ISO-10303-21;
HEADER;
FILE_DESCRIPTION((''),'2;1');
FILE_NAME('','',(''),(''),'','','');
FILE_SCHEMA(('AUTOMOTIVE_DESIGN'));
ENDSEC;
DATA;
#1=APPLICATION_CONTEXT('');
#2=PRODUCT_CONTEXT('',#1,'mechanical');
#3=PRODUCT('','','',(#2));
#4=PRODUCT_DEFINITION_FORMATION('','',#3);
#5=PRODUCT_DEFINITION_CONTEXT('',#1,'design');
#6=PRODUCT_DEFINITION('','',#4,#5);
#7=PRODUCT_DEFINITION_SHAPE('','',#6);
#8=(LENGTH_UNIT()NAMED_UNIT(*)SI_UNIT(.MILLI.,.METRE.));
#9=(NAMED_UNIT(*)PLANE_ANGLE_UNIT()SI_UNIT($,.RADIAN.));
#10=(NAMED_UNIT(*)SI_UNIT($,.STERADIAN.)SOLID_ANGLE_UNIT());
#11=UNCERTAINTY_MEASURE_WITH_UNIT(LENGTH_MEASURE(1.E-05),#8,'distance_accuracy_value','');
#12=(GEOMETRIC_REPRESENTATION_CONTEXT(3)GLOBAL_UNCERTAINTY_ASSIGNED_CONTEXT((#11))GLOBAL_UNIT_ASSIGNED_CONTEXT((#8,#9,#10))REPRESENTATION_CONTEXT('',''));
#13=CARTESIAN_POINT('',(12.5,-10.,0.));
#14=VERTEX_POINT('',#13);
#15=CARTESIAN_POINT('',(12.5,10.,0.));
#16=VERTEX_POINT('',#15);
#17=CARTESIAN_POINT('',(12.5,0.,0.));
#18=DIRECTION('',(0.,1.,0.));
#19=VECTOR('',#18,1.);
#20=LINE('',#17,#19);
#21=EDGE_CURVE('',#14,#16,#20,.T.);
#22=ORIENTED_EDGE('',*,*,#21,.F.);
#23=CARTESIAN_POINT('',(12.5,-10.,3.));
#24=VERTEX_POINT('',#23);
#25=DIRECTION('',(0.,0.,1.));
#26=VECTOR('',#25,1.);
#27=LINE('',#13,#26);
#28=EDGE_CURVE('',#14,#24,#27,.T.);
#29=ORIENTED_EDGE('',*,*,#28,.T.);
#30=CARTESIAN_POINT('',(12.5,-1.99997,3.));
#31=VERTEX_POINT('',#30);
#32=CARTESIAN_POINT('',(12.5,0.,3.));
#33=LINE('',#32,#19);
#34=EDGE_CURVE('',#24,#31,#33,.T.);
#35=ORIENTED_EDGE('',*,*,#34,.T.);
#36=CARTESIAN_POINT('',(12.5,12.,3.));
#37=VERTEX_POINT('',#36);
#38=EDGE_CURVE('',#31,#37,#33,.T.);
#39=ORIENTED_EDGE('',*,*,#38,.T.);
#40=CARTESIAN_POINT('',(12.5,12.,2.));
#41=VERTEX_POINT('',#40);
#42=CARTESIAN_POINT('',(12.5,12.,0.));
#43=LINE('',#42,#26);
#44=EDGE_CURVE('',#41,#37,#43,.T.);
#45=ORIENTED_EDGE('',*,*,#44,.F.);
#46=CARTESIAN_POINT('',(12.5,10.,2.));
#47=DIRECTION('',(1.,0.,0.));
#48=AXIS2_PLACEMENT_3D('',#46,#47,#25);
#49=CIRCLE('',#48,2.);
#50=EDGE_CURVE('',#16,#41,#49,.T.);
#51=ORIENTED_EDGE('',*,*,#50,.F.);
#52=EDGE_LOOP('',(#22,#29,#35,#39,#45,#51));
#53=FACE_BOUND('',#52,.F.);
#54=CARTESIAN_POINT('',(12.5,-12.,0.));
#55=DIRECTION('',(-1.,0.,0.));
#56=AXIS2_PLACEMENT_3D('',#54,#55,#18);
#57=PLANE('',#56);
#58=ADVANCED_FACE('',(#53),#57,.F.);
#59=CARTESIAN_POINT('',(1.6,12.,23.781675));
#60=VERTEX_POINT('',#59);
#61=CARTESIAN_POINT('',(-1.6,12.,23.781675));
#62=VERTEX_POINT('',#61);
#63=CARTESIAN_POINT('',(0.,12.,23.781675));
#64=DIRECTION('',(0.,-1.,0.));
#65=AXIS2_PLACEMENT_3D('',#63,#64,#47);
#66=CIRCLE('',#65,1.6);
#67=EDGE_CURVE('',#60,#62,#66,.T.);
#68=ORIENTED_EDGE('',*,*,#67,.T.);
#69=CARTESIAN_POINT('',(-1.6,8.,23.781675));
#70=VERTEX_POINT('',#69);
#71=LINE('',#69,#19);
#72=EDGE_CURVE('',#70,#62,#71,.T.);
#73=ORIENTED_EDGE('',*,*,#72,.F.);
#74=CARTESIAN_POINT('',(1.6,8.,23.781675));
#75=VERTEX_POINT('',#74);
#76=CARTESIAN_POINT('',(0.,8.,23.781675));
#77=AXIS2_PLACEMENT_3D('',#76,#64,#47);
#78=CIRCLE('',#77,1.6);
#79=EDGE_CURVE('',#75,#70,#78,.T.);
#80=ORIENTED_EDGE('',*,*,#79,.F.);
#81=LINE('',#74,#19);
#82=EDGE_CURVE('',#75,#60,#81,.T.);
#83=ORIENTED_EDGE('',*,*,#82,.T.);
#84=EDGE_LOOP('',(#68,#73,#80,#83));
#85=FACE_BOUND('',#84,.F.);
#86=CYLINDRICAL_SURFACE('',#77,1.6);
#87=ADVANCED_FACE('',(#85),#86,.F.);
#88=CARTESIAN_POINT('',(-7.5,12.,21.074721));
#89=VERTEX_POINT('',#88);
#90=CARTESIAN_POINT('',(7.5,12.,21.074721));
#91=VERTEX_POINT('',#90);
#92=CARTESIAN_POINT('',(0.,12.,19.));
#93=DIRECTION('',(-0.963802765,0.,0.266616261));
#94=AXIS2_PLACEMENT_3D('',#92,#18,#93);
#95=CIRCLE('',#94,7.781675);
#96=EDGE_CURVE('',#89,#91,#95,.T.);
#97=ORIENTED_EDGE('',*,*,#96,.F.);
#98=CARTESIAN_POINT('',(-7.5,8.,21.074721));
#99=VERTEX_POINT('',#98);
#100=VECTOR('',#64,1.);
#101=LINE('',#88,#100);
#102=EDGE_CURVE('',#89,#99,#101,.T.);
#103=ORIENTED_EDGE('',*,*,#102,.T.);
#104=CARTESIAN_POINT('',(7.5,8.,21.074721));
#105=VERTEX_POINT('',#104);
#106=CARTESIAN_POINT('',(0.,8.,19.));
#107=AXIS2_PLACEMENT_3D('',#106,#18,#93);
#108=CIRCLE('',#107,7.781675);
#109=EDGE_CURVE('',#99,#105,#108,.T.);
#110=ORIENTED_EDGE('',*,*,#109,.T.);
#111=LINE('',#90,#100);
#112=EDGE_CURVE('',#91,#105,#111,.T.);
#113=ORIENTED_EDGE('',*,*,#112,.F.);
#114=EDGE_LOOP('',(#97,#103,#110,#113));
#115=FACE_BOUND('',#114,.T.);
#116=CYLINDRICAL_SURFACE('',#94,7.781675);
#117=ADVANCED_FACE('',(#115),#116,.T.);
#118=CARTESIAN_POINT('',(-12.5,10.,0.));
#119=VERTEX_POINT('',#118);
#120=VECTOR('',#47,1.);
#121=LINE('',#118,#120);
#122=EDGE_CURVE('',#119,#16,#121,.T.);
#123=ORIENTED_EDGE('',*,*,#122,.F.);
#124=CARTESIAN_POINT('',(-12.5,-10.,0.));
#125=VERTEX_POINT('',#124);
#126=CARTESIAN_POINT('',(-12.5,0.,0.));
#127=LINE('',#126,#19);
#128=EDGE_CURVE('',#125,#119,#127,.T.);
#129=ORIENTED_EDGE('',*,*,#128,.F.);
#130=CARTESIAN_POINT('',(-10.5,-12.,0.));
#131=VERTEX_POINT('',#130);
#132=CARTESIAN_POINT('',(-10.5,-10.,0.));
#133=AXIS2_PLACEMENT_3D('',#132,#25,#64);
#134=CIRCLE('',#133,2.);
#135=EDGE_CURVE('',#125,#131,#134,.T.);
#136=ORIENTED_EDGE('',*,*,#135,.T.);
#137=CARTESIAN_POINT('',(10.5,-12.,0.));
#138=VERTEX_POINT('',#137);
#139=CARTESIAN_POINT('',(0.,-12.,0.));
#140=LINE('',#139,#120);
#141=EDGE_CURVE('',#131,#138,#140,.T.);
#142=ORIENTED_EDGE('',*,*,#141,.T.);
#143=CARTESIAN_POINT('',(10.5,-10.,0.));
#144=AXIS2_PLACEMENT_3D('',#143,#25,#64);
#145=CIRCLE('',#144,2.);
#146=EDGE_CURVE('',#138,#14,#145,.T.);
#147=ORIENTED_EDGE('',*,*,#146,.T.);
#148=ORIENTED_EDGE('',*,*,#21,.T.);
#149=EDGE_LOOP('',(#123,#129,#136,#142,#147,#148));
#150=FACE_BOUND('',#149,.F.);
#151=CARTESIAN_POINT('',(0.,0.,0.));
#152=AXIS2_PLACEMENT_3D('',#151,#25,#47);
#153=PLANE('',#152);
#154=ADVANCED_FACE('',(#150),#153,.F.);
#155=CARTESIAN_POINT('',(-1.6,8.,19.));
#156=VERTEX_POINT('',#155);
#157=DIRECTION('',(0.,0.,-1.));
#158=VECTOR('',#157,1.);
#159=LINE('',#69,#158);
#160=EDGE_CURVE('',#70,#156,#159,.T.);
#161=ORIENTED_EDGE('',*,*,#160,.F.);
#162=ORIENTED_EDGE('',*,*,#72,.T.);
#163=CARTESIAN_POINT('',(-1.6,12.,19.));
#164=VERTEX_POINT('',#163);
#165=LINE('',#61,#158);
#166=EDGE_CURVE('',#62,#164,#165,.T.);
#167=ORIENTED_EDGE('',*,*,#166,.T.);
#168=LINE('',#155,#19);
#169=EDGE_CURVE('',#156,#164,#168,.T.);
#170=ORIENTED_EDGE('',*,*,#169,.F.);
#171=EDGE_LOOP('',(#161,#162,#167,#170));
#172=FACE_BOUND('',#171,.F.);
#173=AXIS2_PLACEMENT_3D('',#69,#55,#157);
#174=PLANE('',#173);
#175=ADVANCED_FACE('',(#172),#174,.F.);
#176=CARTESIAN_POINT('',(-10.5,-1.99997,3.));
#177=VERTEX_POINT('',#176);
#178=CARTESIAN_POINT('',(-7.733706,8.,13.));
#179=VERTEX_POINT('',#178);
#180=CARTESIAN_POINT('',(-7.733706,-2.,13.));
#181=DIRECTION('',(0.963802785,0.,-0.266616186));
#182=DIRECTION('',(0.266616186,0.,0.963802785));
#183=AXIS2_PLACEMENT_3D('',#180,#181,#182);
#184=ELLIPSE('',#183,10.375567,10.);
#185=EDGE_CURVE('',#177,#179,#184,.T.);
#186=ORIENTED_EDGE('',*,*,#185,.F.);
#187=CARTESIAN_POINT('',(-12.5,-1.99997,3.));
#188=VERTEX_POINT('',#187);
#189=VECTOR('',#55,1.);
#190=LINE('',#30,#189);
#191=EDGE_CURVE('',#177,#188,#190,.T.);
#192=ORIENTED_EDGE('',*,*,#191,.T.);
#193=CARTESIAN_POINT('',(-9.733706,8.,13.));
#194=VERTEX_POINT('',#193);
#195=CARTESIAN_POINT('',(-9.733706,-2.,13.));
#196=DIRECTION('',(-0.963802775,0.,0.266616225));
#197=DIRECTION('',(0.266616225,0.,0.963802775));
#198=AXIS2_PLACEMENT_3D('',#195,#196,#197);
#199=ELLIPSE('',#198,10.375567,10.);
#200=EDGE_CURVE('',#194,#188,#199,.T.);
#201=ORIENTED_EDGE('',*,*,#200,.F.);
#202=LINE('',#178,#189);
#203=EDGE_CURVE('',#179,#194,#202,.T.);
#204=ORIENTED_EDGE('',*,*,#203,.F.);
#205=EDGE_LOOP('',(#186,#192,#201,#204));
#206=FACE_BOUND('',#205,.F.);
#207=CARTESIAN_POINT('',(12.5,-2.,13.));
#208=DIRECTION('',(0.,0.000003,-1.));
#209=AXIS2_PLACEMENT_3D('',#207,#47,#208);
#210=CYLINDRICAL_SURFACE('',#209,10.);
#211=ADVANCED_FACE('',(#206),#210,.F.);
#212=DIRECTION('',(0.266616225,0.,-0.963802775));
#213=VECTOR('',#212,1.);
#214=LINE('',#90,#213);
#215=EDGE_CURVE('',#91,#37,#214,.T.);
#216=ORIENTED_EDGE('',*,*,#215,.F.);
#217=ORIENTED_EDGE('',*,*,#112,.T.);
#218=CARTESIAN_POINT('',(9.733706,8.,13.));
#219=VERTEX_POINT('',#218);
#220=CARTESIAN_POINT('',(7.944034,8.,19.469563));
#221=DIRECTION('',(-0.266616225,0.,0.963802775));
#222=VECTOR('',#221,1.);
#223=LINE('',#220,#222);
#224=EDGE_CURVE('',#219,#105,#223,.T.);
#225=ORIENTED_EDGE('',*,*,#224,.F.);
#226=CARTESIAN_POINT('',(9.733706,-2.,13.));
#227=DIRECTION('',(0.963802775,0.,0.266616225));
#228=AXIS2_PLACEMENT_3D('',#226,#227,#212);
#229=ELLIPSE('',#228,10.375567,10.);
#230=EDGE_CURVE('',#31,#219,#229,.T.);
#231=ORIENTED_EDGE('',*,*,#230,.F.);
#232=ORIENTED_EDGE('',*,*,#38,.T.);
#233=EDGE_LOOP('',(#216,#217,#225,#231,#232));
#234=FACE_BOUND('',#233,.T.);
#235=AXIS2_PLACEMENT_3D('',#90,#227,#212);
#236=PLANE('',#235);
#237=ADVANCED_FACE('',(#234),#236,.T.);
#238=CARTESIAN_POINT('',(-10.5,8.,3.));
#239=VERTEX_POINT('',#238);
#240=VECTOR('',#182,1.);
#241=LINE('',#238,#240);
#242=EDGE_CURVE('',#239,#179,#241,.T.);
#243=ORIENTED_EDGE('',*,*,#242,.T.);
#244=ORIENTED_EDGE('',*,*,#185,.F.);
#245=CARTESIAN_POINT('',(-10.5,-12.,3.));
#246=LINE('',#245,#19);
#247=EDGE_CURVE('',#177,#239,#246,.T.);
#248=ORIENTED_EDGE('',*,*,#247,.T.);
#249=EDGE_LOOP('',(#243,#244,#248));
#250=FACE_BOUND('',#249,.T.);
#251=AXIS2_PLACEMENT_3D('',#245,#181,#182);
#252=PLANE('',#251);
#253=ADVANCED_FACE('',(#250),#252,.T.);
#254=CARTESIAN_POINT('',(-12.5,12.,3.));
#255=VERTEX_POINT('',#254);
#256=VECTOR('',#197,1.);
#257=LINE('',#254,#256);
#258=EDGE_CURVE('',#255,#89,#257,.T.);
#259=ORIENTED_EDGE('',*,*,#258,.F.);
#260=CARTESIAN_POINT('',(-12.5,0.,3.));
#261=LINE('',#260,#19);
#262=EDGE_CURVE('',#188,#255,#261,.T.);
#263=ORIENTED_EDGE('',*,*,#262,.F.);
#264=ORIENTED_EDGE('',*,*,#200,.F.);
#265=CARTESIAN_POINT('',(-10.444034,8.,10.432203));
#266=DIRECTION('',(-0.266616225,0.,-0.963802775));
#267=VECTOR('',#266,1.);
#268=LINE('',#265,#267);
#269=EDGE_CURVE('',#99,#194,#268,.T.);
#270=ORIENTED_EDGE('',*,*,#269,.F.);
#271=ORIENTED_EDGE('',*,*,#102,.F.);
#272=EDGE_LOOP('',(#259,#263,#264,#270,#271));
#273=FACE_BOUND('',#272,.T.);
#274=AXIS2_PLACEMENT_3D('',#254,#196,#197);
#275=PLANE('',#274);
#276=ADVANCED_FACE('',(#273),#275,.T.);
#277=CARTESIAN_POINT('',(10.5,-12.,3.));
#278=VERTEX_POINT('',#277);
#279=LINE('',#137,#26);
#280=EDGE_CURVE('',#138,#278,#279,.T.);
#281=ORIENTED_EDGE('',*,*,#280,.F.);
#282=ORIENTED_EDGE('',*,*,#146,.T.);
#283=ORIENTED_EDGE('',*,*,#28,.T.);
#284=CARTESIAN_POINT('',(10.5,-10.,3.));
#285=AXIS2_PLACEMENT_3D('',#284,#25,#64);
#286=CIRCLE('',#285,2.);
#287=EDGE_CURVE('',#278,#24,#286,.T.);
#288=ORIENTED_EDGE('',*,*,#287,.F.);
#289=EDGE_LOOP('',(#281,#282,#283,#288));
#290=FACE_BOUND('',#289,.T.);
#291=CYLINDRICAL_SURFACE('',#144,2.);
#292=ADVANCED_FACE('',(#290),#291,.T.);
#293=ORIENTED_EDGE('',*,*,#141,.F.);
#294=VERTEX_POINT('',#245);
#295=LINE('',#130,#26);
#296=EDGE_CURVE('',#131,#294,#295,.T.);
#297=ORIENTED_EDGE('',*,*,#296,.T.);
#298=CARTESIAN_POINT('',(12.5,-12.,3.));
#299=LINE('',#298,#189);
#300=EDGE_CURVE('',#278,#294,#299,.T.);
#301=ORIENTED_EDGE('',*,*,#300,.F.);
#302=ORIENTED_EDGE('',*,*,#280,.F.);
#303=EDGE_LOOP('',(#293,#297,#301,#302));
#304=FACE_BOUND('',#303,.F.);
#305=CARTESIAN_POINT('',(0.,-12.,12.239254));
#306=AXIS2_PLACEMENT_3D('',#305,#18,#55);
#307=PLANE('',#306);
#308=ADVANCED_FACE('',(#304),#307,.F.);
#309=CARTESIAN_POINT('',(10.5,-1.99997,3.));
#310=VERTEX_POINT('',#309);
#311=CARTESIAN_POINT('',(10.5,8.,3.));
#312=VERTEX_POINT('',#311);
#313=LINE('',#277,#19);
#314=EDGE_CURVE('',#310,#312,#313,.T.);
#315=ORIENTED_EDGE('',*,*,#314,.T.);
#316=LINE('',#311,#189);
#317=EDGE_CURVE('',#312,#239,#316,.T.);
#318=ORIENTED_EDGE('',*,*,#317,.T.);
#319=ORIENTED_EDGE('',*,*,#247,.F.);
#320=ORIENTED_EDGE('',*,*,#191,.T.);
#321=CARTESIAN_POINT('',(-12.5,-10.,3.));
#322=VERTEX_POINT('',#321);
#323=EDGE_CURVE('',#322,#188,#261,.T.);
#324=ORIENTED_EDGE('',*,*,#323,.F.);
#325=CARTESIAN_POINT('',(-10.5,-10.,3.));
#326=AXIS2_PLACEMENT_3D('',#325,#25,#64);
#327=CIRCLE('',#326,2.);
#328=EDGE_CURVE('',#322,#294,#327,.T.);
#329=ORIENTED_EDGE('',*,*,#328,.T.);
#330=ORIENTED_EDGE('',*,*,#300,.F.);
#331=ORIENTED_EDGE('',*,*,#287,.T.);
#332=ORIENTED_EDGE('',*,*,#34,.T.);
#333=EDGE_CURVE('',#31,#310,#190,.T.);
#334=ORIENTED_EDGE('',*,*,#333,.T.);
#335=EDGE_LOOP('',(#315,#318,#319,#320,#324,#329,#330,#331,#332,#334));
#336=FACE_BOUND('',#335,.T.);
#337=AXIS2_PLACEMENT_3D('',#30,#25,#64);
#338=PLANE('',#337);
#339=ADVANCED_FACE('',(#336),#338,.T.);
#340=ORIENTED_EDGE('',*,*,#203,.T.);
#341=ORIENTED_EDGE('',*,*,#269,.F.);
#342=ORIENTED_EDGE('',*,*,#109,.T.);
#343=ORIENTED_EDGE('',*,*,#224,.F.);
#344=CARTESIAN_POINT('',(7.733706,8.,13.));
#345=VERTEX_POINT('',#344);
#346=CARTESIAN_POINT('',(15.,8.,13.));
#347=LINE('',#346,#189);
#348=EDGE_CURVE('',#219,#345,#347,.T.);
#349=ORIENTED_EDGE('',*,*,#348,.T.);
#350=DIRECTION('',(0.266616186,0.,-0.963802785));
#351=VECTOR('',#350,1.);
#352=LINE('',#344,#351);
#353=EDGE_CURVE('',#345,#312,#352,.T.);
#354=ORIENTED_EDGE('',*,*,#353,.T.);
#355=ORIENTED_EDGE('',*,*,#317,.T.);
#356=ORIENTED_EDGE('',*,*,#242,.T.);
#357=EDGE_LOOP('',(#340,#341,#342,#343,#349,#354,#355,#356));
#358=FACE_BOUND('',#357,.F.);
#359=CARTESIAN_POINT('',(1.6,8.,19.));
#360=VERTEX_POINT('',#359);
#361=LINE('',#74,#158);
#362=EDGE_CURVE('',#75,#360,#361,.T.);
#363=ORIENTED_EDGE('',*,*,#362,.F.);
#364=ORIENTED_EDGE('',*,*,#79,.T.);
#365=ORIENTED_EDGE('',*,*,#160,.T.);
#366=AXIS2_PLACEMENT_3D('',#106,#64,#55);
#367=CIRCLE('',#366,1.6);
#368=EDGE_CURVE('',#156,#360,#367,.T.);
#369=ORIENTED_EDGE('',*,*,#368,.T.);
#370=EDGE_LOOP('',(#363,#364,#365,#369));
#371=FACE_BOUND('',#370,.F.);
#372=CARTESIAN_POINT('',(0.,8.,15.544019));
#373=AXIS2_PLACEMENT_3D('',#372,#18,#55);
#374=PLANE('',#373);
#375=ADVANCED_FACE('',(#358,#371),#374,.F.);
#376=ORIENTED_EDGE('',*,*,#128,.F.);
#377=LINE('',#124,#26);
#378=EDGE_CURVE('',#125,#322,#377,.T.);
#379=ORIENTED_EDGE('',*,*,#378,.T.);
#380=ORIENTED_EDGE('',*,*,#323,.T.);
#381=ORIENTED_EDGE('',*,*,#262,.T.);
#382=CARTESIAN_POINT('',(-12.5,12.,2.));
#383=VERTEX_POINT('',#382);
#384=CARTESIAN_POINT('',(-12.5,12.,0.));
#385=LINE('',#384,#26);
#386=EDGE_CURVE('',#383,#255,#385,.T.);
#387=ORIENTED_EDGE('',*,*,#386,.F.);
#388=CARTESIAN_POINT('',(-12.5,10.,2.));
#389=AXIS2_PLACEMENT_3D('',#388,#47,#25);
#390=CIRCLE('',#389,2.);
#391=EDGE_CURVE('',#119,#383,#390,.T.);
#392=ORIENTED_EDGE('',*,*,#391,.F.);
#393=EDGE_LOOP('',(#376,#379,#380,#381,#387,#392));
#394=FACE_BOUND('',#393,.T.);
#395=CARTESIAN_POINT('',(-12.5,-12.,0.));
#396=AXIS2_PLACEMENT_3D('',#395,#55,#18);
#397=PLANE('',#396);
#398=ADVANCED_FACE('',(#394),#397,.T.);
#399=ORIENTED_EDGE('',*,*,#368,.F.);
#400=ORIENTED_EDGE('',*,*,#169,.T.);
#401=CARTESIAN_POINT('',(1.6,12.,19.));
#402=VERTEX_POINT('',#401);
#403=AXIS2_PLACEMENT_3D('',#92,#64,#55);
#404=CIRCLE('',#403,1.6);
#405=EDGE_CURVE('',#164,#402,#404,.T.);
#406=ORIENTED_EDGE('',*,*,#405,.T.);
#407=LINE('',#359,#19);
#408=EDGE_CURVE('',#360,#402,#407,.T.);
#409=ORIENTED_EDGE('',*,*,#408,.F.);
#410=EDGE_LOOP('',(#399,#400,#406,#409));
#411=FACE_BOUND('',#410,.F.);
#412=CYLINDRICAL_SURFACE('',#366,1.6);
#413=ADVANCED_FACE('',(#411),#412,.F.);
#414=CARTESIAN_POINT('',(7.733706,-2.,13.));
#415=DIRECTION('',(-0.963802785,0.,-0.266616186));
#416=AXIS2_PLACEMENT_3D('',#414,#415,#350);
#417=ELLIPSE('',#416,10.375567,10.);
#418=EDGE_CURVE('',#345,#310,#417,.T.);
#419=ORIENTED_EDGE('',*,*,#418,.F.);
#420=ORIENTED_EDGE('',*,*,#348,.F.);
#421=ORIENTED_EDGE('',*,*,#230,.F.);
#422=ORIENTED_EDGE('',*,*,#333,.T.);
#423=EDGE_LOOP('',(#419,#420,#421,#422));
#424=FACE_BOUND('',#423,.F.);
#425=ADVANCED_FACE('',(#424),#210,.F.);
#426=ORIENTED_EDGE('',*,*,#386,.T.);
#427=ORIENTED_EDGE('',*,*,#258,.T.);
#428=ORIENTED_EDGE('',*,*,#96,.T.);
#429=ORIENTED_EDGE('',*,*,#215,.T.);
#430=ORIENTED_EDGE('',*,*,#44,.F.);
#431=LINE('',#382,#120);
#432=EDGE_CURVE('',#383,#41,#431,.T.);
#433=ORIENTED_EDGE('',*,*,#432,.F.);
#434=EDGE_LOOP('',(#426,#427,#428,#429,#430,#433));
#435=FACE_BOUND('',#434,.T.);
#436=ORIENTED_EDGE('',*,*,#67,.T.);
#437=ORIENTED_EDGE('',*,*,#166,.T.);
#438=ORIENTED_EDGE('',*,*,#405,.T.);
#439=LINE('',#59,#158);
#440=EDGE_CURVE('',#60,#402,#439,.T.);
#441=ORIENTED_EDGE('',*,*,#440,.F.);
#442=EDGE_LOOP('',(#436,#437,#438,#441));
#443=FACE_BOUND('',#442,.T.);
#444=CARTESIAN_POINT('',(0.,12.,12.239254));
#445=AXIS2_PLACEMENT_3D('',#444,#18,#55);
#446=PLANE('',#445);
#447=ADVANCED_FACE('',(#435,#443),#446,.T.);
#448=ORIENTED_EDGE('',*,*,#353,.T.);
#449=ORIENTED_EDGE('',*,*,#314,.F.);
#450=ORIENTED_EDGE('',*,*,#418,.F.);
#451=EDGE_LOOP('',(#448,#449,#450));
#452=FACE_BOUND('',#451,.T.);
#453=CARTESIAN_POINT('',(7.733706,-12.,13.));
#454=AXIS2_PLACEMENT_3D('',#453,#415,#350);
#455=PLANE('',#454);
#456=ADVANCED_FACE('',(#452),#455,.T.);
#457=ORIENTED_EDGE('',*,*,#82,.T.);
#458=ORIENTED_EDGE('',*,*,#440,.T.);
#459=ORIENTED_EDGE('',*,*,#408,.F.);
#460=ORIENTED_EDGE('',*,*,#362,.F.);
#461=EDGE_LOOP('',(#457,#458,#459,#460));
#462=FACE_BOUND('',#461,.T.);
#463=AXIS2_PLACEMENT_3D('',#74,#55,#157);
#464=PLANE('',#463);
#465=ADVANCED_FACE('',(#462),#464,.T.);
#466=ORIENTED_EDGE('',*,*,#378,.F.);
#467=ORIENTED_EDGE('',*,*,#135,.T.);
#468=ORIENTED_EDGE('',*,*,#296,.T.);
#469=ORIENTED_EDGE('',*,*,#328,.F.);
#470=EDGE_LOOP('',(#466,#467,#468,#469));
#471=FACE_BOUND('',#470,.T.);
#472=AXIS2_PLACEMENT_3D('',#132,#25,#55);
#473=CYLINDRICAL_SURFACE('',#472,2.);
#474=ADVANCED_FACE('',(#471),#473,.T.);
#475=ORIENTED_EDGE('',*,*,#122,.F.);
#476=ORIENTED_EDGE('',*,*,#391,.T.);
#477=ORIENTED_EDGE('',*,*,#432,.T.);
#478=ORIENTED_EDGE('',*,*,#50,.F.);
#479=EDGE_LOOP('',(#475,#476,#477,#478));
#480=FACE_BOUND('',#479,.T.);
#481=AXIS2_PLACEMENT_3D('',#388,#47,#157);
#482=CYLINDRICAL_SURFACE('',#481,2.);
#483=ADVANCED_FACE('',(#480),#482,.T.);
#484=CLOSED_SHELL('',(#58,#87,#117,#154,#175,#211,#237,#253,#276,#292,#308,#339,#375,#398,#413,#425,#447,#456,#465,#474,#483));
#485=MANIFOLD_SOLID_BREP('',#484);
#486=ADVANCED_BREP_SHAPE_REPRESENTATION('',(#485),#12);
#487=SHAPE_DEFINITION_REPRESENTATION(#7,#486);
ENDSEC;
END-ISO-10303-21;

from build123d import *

# Parameters (mm, degrees)
SKETCH_W        = 25
SKETCH_H        = 24
PAD_DEPTH       = 3
PAD001_DEPTH    = 24
POCKET_DEPTH    = 20
POCKET001_DEPTH = 27
POCKET002_DEPTH = 4
FILLET_R        = 2
FILLET001_R     = 2


with BuildPart() as part:
    # Sketch → Pad (new body)
    with BuildSketch(Plane.XY):
        Rectangle(SKETCH_W, SKETCH_H)
    extrude(amount=PAD_DEPTH)

    # Sketch001 → Pad001 (new body)
    with BuildSketch(Plane(origin=(0, 12, 0), x_dir=(-1, 0, 0), z_dir=(0, 1, 0))):
        with BuildLine():
            Line((12.5, 3), (7.5, 21.074721))
            ThreePointArc((7.5, 21.074721), (0, 26.781675), (-7.5, 21.074721))
            Line((-7.5, 21.074721), (-12.5, 3))
            Line((12.5, 3), (-12.5, 3))
        make_face()
    extrude(amount=-PAD001_DEPTH)

    # Sketch002 → Pocket (cut)
    with BuildSketch(Plane.XZ.offset(12)):
        Polygon((10.5, 3), (-10.5, 3), (-7.733706, 13), (-15, 13), (-15, 26.781675), (15, 26.781675), (15, 13), (7.733706, 13), align=None)
    extrude(amount=-POCKET_DEPTH, mode=Mode.SUBTRACT)

    # Sketch003 → Pocket001 (cut)
    with BuildSketch(Plane.YZ.offset(12.5)):
        with BuildLine():
            ThreePointArc((-1.99997, 3), (8, 13), (-1.99997, 23))
            Line((-12, 23), (-1.99997, 23))
            Line((-12, 3), (-12, 23))
            Line((-1.99997, 3), (-12, 3))
        make_face()
    extrude(amount=-POCKET001_DEPTH, mode=Mode.SUBTRACT)

    # Sketch004 → Pocket002 (cut)
    with BuildSketch(Plane.XZ.offset(-8)):
        with BuildLine():
            ThreePointArc((1.6, 23.781675), (0, 25.381675), (-1.6, 23.781675))
            Line((-1.6, 23.781675), (-1.6, 19))
            ThreePointArc((-1.6, 19), (0, 17.4), (1.6, 19))
            Line((1.6, 23.781675), (1.6, 19))
        make_face()
    extrude(amount=-POCKET002_DEPTH, mode=Mode.SUBTRACT)

    # Fillet
    fillet_edges = [part.edges().sort_by_distance(p)[0] for p in [
        (12.5, -12, 1.5),
        (-12.5, -12, 1.5),
    ]]
    fillet(fillet_edges, radius=FILLET_R)

    # Fillet001
    fillet001_edges = [part.edges().sort_by_distance(p)[0] for p in [
        (0, 12, 0),
    ]]
    fillet(fillet001_edges, radius=FILLET001_R)


solid = part.part
